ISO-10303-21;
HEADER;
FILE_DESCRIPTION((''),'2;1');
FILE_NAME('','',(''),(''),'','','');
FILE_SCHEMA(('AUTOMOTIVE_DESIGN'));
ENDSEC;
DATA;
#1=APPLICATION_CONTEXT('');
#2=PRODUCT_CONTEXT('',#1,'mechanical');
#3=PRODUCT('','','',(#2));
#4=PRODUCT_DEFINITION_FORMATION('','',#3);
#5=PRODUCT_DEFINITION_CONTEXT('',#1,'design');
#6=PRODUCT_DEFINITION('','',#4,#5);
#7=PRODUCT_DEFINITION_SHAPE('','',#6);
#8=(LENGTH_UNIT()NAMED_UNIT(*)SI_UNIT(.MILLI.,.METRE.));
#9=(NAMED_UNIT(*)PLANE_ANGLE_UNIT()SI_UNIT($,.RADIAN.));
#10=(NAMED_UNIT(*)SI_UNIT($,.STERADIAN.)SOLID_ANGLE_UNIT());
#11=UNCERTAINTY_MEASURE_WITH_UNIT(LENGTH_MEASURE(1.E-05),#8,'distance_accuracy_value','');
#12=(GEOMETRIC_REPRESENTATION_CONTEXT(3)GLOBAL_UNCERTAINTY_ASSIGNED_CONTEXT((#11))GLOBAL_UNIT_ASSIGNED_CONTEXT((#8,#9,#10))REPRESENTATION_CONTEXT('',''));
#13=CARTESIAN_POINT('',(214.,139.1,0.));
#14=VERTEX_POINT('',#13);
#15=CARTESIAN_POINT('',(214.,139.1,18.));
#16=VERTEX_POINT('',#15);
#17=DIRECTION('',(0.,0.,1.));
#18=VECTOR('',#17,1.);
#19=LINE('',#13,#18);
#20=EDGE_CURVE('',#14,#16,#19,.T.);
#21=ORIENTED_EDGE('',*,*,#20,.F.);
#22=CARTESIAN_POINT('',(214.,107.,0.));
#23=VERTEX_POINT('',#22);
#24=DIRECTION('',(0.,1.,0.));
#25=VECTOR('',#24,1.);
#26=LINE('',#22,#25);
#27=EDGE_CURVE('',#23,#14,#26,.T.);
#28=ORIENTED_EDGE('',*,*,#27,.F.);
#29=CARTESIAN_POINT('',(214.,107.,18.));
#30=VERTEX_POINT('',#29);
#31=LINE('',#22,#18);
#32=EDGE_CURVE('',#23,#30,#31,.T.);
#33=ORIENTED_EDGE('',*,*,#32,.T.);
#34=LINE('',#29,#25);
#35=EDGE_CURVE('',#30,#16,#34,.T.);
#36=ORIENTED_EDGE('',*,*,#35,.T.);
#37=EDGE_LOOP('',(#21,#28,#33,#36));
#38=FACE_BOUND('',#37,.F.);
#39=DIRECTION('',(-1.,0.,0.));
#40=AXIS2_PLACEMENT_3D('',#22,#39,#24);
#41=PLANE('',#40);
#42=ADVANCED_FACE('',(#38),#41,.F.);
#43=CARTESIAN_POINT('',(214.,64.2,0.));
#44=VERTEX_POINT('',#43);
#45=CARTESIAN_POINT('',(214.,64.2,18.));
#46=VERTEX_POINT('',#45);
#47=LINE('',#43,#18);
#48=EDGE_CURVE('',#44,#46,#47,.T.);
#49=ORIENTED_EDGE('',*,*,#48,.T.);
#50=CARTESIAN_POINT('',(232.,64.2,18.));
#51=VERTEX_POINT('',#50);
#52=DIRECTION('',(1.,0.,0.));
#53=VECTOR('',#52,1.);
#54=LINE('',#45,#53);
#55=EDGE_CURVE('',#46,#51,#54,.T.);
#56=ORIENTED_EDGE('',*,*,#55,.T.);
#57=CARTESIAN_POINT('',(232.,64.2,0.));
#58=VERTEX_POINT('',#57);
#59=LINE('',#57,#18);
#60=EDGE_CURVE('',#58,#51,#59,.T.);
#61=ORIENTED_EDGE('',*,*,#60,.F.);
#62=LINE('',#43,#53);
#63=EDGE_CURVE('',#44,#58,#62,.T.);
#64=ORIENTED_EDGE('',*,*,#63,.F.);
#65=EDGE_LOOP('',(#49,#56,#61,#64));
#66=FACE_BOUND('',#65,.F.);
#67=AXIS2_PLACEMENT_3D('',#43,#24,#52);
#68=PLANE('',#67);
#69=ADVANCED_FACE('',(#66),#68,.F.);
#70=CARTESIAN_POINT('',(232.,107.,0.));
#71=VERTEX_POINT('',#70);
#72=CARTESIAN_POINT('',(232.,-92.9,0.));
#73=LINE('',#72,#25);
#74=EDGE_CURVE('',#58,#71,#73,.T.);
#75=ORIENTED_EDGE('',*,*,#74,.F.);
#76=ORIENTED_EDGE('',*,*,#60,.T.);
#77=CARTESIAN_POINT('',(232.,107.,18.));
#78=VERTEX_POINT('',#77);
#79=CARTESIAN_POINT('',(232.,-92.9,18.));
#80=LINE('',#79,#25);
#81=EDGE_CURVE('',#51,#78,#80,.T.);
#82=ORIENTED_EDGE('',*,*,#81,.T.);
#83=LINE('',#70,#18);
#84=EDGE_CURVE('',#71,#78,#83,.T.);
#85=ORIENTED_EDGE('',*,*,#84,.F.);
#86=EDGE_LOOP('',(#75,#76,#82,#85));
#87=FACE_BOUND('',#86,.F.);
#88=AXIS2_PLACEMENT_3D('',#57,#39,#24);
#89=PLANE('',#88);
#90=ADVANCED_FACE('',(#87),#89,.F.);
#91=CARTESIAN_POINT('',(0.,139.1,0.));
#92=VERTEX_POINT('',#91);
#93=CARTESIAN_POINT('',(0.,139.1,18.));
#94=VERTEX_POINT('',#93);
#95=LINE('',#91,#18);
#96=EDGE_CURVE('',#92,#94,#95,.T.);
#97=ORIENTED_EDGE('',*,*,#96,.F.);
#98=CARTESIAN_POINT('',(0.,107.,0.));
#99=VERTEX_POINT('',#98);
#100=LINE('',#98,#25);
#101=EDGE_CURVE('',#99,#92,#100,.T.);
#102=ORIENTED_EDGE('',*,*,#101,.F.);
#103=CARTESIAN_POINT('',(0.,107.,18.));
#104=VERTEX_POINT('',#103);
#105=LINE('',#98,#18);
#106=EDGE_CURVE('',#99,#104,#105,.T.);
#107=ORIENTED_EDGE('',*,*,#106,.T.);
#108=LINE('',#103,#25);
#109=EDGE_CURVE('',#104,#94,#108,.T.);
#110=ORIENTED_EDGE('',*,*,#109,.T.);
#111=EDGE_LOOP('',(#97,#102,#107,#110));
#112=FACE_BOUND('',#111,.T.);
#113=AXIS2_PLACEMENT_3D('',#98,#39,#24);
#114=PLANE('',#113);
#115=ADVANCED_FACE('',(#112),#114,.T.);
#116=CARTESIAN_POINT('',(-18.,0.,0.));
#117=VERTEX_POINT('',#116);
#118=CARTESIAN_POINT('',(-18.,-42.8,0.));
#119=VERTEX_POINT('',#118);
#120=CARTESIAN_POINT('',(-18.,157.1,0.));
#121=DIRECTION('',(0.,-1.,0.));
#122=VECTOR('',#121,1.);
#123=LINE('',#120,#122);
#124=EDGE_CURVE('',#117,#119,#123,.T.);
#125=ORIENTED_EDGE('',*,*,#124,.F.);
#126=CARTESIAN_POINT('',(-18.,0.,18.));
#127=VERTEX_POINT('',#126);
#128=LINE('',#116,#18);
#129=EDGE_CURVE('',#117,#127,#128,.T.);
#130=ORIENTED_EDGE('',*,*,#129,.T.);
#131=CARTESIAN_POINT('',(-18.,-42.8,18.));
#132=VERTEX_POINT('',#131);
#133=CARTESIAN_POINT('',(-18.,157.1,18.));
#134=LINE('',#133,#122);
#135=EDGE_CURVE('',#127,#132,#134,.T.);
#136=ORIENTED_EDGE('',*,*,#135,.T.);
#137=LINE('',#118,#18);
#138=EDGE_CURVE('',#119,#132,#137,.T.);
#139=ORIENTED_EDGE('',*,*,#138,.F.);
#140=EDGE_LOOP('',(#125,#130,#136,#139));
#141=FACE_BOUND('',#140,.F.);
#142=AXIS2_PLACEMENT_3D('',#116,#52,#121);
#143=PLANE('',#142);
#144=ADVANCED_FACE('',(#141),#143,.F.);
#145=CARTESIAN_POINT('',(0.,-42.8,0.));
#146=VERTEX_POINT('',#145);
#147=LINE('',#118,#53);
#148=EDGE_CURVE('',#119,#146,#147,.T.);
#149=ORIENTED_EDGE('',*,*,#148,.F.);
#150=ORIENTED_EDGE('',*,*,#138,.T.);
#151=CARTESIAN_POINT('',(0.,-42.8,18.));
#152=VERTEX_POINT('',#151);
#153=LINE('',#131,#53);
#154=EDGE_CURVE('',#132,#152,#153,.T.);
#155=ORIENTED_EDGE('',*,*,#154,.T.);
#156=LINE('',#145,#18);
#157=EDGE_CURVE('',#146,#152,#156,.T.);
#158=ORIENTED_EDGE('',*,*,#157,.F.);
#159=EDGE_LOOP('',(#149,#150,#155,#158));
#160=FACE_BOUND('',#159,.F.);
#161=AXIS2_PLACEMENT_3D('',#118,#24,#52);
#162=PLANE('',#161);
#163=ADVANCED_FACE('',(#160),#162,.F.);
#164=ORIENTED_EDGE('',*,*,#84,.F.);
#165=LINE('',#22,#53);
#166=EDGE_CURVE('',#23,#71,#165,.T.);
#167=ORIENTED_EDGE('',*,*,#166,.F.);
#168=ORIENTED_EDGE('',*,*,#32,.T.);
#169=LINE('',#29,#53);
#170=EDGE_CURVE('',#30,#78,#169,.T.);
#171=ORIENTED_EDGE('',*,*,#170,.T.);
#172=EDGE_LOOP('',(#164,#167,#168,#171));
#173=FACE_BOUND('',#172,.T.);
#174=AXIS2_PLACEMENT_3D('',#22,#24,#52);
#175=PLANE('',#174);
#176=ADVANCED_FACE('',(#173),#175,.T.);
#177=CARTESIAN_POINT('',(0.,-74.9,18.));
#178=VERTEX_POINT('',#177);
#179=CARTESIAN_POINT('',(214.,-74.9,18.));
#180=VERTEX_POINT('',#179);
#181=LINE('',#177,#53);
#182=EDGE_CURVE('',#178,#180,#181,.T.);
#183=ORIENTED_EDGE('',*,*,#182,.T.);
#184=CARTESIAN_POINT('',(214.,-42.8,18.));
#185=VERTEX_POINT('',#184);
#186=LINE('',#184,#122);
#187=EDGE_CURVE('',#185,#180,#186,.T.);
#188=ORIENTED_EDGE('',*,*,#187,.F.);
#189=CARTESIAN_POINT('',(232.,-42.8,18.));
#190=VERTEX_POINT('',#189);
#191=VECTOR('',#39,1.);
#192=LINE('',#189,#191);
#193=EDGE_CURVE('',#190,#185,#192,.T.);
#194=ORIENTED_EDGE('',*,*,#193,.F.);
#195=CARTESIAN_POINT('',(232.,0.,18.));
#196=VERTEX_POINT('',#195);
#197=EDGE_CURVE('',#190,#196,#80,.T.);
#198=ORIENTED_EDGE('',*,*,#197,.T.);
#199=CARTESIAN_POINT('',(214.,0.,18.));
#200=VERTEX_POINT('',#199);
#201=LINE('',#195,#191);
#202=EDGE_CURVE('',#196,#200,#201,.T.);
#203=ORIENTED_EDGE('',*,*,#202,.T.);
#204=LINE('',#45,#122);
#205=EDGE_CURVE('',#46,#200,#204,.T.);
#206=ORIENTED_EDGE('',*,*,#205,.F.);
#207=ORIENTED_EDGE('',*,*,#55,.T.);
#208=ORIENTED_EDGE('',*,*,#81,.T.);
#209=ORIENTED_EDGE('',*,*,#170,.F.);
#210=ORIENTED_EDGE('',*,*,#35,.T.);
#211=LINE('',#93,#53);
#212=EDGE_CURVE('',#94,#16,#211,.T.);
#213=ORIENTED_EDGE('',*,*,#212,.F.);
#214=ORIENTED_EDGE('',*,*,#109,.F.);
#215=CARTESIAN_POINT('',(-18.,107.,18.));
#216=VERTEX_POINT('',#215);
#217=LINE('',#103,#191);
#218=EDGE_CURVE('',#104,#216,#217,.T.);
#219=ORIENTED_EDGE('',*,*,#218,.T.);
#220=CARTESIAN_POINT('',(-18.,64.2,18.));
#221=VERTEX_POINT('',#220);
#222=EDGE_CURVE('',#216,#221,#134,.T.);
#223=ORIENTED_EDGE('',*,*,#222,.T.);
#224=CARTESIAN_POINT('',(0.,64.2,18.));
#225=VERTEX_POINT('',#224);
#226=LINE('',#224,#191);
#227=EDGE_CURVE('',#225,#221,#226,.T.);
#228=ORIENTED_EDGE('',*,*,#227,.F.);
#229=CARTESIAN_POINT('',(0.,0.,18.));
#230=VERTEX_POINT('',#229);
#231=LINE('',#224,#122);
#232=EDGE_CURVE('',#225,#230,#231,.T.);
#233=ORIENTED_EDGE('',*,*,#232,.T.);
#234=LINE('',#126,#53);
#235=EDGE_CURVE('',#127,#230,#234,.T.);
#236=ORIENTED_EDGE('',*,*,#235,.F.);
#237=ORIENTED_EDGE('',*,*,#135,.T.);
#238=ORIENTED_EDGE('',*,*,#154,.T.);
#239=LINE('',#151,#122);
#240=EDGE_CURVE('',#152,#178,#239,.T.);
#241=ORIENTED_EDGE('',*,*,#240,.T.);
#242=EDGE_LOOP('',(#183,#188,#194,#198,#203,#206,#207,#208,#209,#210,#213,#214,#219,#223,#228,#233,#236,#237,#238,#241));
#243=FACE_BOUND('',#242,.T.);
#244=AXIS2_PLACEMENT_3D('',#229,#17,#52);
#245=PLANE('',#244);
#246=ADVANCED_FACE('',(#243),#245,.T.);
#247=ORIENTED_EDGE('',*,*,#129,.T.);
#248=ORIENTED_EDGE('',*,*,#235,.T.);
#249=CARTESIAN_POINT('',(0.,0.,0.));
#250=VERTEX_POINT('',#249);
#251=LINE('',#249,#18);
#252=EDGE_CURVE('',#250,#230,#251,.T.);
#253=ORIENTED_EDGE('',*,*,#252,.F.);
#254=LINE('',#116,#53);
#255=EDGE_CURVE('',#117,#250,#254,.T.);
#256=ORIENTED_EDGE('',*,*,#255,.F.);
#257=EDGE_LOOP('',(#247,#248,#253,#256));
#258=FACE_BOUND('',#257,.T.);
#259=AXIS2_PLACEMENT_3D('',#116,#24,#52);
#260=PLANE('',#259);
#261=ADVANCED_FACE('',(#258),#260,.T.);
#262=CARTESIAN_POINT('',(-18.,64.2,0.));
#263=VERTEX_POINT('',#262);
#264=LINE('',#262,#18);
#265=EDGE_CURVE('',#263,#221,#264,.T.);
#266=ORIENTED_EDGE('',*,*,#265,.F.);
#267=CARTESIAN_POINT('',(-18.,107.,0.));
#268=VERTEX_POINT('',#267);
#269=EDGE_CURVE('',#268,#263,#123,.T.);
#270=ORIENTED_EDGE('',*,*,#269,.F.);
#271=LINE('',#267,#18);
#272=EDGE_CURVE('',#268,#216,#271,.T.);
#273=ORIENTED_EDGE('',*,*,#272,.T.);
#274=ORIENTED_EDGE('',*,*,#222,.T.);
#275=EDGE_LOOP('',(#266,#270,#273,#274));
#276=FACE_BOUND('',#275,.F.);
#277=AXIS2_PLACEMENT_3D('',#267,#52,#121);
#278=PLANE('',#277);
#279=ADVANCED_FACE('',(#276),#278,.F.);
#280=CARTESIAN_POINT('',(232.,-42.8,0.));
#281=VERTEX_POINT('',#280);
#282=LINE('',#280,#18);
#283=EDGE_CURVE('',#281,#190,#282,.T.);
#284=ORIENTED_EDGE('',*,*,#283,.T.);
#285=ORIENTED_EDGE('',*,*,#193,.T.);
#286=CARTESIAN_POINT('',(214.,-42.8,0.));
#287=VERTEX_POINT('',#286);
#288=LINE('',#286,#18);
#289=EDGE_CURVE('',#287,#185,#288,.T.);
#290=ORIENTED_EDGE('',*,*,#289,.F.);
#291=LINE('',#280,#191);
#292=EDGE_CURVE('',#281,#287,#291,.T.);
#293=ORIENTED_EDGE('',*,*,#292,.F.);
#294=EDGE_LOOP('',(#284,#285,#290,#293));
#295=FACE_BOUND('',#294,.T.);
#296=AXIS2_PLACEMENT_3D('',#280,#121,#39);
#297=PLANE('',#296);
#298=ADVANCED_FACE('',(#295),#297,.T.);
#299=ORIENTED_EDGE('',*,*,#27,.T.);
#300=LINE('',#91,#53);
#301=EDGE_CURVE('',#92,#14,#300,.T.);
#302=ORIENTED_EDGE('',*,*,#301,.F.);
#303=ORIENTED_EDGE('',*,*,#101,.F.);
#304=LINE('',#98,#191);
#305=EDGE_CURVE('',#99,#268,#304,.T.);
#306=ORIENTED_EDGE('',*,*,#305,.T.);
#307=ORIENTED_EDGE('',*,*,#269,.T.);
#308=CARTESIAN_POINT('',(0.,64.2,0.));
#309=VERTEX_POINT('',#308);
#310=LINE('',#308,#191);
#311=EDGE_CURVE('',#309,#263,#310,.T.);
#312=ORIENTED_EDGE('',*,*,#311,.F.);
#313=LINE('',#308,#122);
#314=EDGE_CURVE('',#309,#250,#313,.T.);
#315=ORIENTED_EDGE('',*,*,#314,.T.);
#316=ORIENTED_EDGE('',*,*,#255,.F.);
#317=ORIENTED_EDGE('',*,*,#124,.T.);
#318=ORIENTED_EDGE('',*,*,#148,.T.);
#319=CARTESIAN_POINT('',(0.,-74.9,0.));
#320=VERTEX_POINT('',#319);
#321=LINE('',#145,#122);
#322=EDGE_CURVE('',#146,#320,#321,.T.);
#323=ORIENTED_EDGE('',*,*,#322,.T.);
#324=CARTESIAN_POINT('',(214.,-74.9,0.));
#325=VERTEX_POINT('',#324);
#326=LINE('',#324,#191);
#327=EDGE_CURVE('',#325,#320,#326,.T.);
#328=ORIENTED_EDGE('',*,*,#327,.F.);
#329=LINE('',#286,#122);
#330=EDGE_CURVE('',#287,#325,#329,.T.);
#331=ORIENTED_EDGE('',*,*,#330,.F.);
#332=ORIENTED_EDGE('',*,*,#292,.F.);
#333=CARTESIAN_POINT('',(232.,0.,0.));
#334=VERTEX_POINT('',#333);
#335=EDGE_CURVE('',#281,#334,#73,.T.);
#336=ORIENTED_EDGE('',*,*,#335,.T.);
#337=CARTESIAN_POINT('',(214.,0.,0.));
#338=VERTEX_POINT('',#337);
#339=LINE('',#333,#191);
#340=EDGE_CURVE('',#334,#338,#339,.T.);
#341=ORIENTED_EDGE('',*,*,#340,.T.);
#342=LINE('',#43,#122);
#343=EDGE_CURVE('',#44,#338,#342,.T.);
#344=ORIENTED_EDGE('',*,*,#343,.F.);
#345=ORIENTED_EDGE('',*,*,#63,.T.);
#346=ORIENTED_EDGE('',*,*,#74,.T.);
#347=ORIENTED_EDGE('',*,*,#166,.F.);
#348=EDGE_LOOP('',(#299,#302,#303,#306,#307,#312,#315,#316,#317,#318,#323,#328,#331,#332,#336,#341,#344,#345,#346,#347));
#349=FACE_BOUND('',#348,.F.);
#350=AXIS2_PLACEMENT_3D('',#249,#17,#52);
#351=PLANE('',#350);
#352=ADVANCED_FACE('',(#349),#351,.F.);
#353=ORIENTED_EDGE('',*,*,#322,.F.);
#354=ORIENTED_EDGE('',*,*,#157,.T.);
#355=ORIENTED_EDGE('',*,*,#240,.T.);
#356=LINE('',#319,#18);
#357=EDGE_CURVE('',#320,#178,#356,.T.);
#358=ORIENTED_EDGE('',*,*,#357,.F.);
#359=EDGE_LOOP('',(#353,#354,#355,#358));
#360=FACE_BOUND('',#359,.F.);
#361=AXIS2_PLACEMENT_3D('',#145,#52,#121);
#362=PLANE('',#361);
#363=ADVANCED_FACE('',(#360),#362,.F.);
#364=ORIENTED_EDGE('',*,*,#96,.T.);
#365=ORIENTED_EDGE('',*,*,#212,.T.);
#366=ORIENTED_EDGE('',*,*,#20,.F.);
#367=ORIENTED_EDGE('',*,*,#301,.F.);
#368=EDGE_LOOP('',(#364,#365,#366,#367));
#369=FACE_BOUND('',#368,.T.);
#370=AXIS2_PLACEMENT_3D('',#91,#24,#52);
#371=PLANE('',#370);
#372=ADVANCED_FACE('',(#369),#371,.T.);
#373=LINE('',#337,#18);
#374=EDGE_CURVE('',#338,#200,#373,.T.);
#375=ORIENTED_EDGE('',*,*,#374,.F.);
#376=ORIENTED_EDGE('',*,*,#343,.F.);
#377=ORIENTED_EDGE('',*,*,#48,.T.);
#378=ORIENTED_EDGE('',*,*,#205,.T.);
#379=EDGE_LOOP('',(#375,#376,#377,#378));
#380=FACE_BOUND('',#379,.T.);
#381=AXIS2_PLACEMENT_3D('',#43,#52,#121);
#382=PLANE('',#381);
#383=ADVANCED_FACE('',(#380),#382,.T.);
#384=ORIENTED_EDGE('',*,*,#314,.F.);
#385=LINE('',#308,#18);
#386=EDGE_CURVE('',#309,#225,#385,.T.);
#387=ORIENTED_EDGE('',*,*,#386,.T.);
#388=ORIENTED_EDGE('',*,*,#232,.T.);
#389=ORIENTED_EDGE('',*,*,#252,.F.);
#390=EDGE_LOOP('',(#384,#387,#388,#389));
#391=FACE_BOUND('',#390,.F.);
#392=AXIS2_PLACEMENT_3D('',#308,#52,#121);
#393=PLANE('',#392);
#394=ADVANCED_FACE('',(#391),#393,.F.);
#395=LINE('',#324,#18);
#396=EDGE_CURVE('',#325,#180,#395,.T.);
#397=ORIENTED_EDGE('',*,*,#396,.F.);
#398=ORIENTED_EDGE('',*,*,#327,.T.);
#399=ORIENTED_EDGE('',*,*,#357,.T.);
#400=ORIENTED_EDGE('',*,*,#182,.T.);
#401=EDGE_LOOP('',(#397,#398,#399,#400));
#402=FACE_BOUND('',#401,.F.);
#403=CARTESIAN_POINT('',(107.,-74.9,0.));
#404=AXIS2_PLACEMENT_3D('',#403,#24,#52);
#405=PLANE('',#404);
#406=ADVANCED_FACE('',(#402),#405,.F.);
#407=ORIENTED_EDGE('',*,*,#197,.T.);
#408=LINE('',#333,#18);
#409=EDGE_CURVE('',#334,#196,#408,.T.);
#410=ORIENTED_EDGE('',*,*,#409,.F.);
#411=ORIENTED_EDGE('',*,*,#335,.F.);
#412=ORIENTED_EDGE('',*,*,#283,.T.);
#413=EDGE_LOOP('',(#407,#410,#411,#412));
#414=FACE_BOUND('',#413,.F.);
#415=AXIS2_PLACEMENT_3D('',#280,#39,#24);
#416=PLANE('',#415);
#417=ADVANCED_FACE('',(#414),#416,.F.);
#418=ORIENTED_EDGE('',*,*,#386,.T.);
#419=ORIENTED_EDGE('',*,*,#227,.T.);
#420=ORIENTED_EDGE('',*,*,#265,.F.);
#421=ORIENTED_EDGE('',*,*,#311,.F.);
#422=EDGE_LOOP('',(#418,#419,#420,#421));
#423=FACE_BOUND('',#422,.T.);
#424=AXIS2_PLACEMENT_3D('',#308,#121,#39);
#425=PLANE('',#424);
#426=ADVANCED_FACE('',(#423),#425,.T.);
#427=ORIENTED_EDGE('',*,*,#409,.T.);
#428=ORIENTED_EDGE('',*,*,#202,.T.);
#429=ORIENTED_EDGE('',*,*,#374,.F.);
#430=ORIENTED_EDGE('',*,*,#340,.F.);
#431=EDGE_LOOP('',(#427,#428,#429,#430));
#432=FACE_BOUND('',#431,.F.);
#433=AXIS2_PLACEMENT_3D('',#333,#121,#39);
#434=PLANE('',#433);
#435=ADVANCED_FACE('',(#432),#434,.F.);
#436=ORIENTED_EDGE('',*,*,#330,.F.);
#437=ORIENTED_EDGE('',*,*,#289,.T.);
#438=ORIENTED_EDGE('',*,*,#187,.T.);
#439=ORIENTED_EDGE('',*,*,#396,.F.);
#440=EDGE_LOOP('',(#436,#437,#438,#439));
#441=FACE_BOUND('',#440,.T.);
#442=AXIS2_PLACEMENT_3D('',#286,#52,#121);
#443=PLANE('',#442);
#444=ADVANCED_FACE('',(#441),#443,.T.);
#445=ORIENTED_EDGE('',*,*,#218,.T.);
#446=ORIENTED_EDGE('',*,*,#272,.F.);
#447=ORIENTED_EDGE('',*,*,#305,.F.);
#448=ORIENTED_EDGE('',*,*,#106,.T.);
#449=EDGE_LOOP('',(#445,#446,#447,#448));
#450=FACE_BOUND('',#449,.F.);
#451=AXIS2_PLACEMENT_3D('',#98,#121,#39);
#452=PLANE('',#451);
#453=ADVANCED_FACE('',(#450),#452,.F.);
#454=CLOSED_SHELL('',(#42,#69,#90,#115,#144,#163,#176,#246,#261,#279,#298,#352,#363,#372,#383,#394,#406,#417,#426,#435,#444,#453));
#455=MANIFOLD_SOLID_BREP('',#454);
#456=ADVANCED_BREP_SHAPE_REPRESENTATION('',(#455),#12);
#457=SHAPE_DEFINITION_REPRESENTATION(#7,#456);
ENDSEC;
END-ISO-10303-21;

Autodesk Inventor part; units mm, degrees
ref_plane "YZ Plane" through (0, 0, 0) normal (1, 0, 0) x (0, 1, 0)
ref_plane "XZ Plane" through (0, 0, 0) normal (0, 1, 0) x (-1, 0, 0)
ref_plane "XY Plane" through (0, 0, 0) normal (0, 0, 1) x (1, 0, 0)
sketch "Sketch1" plane through (0, 0, 0) normal (0, 0, 1) x (1, 0, 0)
  line L0 (232, 157.1) -> (-18, 157.1)
  line L1 (-18, 157.1) -> (-18, -92.9)
  line L2 (-18, -92.9) -> (232, -92.9)
  line L3 (232, -92.9) -> (232, 157.1)
  line L4 (-18, -42.8) -> (0, -42.8)
  line L5 (0, -42.8) -> (0, -92.9)
  line L6 (0, -92.9) -> (-18, -92.9)
  line L7 (-18, -92.9) -> (-18, -42.8)
  line L8 (0, 107) -> (0, 64.2)
  line L9 (0, 64.2) -> (-18, 64.2)
  line L10 (-18, 64.2) -> (-18, 107)
  line L11 (76.5522, 157.3937) -> (94.5522, 157.3937)
  line L12 (-18, -42.8) -> (-18, 0)
  line L13 (-18, 0) -> (0, 0)
  line L14 (0, 0) -> (0, -42.8)
  line L15 (0, -42.8) -> (-18, -42.8)
  line L16 (-18, -42.8) -> (0, -42.8)
  line L17 (0, -42.8) -> (0, 0)
  line L18 (0, 0) -> (-18, 0)
  line L19 (-18, 0) -> (-18, -42.8)
  line L20 (0, 0) -> (-18, 0)
  line L21 (-18, 0) -> (-18, 64.2)
  line L22 (-18, 64.2) -> (0, 64.2)
  line L23 (0, 64.2) -> (0, 0)
  line L24 (-18, 64.2) -> (-18, 107)
  line L25 (0, 64.2) -> (-18, 64.2)
  line L26 (-18, 64.2) -> (-18, 107)
  line L27 (76.5522, 157.3937) -> (94.5522, 157.3937)
  line L28 (0, 107) -> (0, 64.2)
  line L29 (76.5522, 157.3937) -> (94.5522, 157.3937)
  line L30 (0, 107) -> (0, 157.1)
  line L31 (0, 157.1) -> (-18, 157.1)
  line L32 (-18, 157.1) -> (-18, 107)
  line L33 (0, 64.2) -> (0, 107)
  line L34 (0, 107) -> (-18, 107)
  line L35 (232, -92.9) -> (94.5522, -92.9)
  line L36 (-18, -92.9) -> (107, -92.9)
  line L37 (107, -92.9) -> (107, 52.5886)
  line L38 (232, 157.1) -> (232, -92.9)
  line L39 (232, -42.8) -> (214, -42.8)
  line L40 (232, -92.9) -> (232, -42.8)
  line L41 (214, -42.8) -> (214, -92.9)
  line L42 (214, 107) -> (214, 64.2)
  line L43 (214, 107) -> (214, 64.2)
  line L44 (232, 64.2) -> (232, 107)
  line L45 (232, 64.2) -> (232, 107)
  line L46 (232, 64.2) -> (232, 107)
  line L47 (214, 107) -> (214, 157.1)
  line L48 (232, 157.1) -> (232, 107)
  line L49 (214, -42.8) -> (232, -42.8)
  line L50 (232, -42.8) -> (214, -42.8)
  line L51 (214, -42.8) -> (214, 0)
  line L52 (232, -42.8) -> (232, 0)
  line L53 (232, 0) -> (214, 0)
  line L54 (232, 0) -> (232, -42.8)
  line L55 (214, 0) -> (232, 0)
  line L56 (214, 0) -> (232, 0)
  line L57 (214, 64.2) -> (214, 0)
  line L58 (214, 64.2) -> (232, 64.2)
  line L59 (232, 0) -> (232, 64.2)
  line L60 (214, 64.2) -> (232, 64.2)
  line L61 (232, 64.2) -> (214, 64.2)
  line L62 (214, 0) -> (214, -42.8)
  line L63 (214, 64.2) -> (214, 107)
  line L64 (214, 107) -> (232, 107)
  line L65 (214, 157.1) -> (0, 157.1)
  line L66 (0, 157.1) -> (0, 139.1)
  line L67 (0, 139.1) -> (214, 139.1)
  line L68 (214, 139.1) -> (214, 157.1)
  line L69 (232, 157.1) -> (-18, 157.1)
  line L70 (-18, 157.1) -> (-18, 139.1)
  line L71 (-18, 139.1) -> (232, 139.1)
  line L72 (232, 139.1) -> (232, 157.1)
  line L73 (232, -92.9) -> (-18, -92.9)
  line L74 (-18, -92.9) -> (-18, -74.9)
  line L75 (-18, -74.9) -> (232, -74.9)
  line L76 (232, -74.9) -> (232, -92.9)
  point P0 (0, 0)
  point P1 (214, 0)
  point P2 (0, -74.9)
  point P3 (214, -74.9)
  dimension "d0" = 18
  dimension "d1" = 42.8
  dimension "d2" = 125
  dimension "d4" = 18
  dimension "d5" = 18
extrude "Plate1" add sketch "Sketch1" along normal blind 18 contours L47 L42 L57 L51 L41 L75 L5 L14 L23 L8 L30 L67 | L3 L58 L42 L64 | L8 L9 L1 L34 | L3 L39 L51 L53 | L14 L4 L1 L13
equation "\"d3\" = Thickness"
equation "\"BendRadius\" = Thickness"
equation "\"BendReliefWidth\" = Thickness"
equation "\"BendReliefDepth\" = 0.5 * Thickness"
equation "\"CornerReliefSize\" = 4 * Thickness"
equation "\"MinimumRemnant\" = 2 * Thickness"
equation "\"TransitionRadius\" = BendRadius"
equation "\"JacobiRadiusSize\" = BendRadius"
equation "\"GapSize\" = Thickness"
equation "\"Thickness\" = 18"
properties part number "7"
